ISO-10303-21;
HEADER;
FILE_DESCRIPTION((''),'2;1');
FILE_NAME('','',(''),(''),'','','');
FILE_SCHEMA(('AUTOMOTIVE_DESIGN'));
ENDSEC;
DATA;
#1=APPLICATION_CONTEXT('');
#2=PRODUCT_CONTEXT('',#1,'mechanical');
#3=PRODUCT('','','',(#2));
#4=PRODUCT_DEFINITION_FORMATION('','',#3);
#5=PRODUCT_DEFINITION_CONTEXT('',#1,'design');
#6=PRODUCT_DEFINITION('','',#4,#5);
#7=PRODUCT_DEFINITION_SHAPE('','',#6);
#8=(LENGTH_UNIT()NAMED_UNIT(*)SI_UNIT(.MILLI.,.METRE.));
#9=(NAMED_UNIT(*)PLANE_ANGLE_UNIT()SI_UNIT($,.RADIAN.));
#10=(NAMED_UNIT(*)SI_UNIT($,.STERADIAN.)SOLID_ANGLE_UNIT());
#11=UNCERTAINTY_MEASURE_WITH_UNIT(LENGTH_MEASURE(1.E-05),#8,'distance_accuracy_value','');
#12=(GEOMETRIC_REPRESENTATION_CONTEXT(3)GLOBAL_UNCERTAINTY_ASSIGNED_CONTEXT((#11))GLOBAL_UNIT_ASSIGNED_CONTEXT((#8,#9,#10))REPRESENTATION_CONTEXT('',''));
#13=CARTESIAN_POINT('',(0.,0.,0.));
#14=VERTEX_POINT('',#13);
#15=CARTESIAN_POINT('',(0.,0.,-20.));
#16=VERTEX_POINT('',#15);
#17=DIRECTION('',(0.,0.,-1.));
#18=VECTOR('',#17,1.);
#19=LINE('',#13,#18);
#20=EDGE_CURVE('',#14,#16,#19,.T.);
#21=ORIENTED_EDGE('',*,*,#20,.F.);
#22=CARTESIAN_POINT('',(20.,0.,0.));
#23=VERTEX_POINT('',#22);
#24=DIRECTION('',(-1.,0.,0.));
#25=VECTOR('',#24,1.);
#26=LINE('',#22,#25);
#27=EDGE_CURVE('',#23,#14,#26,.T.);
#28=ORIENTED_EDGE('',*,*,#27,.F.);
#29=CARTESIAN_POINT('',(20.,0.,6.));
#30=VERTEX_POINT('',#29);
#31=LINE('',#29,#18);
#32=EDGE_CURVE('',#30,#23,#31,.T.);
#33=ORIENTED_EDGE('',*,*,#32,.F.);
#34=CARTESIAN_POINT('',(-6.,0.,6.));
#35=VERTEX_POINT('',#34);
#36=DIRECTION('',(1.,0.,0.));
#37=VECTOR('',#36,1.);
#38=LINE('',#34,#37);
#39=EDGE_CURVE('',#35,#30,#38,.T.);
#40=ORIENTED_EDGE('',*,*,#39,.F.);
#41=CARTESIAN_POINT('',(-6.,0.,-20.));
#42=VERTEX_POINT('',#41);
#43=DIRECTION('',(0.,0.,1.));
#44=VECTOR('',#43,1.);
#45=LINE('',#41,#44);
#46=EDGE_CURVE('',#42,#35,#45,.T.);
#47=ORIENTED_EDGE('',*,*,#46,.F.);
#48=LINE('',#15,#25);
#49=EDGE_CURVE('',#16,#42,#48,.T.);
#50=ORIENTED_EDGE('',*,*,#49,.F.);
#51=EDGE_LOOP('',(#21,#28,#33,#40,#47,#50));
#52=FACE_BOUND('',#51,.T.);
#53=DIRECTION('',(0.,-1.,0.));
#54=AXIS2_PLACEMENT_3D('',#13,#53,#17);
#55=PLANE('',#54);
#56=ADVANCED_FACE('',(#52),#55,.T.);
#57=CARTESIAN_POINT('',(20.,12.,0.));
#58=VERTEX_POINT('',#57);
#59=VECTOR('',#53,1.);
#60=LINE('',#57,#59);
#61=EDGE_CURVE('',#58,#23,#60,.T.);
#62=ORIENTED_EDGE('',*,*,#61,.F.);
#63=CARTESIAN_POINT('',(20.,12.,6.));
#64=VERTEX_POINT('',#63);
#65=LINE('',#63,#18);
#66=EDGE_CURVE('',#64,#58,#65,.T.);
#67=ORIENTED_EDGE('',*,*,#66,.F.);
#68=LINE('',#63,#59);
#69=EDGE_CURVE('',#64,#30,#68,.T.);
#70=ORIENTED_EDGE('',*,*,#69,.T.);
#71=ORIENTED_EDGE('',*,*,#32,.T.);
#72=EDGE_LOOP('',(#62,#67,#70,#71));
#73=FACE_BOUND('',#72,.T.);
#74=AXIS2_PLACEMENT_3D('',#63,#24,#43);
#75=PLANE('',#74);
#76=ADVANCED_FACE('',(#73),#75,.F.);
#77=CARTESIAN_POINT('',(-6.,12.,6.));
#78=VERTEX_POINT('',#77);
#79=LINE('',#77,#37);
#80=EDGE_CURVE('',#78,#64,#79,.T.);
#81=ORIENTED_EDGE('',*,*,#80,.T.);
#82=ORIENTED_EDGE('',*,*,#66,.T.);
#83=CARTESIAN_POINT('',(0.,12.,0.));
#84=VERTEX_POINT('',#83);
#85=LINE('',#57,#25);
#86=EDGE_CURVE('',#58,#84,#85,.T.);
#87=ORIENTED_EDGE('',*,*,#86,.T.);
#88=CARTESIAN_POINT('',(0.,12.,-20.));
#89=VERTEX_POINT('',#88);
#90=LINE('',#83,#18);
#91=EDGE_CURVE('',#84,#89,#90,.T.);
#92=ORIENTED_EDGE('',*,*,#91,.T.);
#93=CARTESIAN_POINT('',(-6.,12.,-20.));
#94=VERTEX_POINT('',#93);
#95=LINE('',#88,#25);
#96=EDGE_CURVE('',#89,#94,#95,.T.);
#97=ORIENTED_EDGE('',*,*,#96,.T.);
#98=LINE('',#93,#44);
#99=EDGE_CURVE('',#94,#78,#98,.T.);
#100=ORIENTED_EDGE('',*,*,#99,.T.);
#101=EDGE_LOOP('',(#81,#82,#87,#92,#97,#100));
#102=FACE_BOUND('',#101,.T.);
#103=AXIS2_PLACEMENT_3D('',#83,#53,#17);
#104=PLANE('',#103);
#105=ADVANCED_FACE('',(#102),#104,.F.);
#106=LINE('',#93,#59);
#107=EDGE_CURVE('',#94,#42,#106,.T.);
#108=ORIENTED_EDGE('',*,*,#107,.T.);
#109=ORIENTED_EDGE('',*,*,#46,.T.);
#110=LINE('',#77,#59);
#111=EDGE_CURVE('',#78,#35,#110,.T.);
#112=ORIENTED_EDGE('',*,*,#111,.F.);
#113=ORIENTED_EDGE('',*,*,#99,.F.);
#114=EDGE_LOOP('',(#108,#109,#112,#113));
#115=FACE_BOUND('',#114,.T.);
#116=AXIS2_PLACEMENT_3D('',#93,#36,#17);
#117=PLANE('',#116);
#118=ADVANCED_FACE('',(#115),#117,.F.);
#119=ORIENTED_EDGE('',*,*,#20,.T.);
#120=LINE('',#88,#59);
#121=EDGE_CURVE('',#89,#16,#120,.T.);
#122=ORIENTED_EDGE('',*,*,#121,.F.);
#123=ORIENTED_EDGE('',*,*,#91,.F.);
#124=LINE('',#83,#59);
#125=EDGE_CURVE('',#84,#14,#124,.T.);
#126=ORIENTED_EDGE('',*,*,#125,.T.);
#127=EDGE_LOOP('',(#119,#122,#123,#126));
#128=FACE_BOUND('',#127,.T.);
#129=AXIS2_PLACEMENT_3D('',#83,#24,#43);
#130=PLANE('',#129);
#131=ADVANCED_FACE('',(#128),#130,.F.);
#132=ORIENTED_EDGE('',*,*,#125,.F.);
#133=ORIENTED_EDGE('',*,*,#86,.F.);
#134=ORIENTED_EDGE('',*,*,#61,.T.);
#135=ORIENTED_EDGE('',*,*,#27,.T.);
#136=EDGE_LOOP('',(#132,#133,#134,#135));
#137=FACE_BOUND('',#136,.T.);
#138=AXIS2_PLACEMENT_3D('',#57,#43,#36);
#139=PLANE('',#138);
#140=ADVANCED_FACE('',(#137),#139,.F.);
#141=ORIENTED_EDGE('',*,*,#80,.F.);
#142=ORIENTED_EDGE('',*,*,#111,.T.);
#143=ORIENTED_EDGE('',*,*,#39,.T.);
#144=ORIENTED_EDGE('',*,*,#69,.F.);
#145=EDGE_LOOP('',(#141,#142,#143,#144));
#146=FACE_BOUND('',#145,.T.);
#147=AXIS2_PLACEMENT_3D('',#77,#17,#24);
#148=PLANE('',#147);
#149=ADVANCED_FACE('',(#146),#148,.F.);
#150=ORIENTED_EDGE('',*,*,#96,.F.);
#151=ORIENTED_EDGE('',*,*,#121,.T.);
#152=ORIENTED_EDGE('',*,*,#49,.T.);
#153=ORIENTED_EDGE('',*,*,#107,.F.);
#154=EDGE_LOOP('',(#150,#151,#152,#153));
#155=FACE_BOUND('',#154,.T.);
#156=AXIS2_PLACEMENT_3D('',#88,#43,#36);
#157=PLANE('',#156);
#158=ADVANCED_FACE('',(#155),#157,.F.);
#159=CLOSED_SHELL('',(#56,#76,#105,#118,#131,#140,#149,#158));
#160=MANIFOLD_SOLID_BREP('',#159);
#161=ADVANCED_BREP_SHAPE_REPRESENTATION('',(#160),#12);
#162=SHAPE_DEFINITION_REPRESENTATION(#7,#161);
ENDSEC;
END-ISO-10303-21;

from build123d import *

# Parameters (mm, degrees)
SALIENTE_EXTRUIR1_DEPTH = 12


with BuildPart() as part:
    # Croquis1 → Saliente-Extruir1 (new body)
    with BuildSketch(Plane(origin=(0, 0, 0), x_dir=(1, 0, 0), z_dir=(0, 1, 0))):
        Polygon((0, 0), (0, 20), (-6, 20), (-6, -6), (20, -6), (20, 0), align=None)
    extrude(amount=SALIENTE_EXTRUIR1_DEPTH)


solid = part.part
